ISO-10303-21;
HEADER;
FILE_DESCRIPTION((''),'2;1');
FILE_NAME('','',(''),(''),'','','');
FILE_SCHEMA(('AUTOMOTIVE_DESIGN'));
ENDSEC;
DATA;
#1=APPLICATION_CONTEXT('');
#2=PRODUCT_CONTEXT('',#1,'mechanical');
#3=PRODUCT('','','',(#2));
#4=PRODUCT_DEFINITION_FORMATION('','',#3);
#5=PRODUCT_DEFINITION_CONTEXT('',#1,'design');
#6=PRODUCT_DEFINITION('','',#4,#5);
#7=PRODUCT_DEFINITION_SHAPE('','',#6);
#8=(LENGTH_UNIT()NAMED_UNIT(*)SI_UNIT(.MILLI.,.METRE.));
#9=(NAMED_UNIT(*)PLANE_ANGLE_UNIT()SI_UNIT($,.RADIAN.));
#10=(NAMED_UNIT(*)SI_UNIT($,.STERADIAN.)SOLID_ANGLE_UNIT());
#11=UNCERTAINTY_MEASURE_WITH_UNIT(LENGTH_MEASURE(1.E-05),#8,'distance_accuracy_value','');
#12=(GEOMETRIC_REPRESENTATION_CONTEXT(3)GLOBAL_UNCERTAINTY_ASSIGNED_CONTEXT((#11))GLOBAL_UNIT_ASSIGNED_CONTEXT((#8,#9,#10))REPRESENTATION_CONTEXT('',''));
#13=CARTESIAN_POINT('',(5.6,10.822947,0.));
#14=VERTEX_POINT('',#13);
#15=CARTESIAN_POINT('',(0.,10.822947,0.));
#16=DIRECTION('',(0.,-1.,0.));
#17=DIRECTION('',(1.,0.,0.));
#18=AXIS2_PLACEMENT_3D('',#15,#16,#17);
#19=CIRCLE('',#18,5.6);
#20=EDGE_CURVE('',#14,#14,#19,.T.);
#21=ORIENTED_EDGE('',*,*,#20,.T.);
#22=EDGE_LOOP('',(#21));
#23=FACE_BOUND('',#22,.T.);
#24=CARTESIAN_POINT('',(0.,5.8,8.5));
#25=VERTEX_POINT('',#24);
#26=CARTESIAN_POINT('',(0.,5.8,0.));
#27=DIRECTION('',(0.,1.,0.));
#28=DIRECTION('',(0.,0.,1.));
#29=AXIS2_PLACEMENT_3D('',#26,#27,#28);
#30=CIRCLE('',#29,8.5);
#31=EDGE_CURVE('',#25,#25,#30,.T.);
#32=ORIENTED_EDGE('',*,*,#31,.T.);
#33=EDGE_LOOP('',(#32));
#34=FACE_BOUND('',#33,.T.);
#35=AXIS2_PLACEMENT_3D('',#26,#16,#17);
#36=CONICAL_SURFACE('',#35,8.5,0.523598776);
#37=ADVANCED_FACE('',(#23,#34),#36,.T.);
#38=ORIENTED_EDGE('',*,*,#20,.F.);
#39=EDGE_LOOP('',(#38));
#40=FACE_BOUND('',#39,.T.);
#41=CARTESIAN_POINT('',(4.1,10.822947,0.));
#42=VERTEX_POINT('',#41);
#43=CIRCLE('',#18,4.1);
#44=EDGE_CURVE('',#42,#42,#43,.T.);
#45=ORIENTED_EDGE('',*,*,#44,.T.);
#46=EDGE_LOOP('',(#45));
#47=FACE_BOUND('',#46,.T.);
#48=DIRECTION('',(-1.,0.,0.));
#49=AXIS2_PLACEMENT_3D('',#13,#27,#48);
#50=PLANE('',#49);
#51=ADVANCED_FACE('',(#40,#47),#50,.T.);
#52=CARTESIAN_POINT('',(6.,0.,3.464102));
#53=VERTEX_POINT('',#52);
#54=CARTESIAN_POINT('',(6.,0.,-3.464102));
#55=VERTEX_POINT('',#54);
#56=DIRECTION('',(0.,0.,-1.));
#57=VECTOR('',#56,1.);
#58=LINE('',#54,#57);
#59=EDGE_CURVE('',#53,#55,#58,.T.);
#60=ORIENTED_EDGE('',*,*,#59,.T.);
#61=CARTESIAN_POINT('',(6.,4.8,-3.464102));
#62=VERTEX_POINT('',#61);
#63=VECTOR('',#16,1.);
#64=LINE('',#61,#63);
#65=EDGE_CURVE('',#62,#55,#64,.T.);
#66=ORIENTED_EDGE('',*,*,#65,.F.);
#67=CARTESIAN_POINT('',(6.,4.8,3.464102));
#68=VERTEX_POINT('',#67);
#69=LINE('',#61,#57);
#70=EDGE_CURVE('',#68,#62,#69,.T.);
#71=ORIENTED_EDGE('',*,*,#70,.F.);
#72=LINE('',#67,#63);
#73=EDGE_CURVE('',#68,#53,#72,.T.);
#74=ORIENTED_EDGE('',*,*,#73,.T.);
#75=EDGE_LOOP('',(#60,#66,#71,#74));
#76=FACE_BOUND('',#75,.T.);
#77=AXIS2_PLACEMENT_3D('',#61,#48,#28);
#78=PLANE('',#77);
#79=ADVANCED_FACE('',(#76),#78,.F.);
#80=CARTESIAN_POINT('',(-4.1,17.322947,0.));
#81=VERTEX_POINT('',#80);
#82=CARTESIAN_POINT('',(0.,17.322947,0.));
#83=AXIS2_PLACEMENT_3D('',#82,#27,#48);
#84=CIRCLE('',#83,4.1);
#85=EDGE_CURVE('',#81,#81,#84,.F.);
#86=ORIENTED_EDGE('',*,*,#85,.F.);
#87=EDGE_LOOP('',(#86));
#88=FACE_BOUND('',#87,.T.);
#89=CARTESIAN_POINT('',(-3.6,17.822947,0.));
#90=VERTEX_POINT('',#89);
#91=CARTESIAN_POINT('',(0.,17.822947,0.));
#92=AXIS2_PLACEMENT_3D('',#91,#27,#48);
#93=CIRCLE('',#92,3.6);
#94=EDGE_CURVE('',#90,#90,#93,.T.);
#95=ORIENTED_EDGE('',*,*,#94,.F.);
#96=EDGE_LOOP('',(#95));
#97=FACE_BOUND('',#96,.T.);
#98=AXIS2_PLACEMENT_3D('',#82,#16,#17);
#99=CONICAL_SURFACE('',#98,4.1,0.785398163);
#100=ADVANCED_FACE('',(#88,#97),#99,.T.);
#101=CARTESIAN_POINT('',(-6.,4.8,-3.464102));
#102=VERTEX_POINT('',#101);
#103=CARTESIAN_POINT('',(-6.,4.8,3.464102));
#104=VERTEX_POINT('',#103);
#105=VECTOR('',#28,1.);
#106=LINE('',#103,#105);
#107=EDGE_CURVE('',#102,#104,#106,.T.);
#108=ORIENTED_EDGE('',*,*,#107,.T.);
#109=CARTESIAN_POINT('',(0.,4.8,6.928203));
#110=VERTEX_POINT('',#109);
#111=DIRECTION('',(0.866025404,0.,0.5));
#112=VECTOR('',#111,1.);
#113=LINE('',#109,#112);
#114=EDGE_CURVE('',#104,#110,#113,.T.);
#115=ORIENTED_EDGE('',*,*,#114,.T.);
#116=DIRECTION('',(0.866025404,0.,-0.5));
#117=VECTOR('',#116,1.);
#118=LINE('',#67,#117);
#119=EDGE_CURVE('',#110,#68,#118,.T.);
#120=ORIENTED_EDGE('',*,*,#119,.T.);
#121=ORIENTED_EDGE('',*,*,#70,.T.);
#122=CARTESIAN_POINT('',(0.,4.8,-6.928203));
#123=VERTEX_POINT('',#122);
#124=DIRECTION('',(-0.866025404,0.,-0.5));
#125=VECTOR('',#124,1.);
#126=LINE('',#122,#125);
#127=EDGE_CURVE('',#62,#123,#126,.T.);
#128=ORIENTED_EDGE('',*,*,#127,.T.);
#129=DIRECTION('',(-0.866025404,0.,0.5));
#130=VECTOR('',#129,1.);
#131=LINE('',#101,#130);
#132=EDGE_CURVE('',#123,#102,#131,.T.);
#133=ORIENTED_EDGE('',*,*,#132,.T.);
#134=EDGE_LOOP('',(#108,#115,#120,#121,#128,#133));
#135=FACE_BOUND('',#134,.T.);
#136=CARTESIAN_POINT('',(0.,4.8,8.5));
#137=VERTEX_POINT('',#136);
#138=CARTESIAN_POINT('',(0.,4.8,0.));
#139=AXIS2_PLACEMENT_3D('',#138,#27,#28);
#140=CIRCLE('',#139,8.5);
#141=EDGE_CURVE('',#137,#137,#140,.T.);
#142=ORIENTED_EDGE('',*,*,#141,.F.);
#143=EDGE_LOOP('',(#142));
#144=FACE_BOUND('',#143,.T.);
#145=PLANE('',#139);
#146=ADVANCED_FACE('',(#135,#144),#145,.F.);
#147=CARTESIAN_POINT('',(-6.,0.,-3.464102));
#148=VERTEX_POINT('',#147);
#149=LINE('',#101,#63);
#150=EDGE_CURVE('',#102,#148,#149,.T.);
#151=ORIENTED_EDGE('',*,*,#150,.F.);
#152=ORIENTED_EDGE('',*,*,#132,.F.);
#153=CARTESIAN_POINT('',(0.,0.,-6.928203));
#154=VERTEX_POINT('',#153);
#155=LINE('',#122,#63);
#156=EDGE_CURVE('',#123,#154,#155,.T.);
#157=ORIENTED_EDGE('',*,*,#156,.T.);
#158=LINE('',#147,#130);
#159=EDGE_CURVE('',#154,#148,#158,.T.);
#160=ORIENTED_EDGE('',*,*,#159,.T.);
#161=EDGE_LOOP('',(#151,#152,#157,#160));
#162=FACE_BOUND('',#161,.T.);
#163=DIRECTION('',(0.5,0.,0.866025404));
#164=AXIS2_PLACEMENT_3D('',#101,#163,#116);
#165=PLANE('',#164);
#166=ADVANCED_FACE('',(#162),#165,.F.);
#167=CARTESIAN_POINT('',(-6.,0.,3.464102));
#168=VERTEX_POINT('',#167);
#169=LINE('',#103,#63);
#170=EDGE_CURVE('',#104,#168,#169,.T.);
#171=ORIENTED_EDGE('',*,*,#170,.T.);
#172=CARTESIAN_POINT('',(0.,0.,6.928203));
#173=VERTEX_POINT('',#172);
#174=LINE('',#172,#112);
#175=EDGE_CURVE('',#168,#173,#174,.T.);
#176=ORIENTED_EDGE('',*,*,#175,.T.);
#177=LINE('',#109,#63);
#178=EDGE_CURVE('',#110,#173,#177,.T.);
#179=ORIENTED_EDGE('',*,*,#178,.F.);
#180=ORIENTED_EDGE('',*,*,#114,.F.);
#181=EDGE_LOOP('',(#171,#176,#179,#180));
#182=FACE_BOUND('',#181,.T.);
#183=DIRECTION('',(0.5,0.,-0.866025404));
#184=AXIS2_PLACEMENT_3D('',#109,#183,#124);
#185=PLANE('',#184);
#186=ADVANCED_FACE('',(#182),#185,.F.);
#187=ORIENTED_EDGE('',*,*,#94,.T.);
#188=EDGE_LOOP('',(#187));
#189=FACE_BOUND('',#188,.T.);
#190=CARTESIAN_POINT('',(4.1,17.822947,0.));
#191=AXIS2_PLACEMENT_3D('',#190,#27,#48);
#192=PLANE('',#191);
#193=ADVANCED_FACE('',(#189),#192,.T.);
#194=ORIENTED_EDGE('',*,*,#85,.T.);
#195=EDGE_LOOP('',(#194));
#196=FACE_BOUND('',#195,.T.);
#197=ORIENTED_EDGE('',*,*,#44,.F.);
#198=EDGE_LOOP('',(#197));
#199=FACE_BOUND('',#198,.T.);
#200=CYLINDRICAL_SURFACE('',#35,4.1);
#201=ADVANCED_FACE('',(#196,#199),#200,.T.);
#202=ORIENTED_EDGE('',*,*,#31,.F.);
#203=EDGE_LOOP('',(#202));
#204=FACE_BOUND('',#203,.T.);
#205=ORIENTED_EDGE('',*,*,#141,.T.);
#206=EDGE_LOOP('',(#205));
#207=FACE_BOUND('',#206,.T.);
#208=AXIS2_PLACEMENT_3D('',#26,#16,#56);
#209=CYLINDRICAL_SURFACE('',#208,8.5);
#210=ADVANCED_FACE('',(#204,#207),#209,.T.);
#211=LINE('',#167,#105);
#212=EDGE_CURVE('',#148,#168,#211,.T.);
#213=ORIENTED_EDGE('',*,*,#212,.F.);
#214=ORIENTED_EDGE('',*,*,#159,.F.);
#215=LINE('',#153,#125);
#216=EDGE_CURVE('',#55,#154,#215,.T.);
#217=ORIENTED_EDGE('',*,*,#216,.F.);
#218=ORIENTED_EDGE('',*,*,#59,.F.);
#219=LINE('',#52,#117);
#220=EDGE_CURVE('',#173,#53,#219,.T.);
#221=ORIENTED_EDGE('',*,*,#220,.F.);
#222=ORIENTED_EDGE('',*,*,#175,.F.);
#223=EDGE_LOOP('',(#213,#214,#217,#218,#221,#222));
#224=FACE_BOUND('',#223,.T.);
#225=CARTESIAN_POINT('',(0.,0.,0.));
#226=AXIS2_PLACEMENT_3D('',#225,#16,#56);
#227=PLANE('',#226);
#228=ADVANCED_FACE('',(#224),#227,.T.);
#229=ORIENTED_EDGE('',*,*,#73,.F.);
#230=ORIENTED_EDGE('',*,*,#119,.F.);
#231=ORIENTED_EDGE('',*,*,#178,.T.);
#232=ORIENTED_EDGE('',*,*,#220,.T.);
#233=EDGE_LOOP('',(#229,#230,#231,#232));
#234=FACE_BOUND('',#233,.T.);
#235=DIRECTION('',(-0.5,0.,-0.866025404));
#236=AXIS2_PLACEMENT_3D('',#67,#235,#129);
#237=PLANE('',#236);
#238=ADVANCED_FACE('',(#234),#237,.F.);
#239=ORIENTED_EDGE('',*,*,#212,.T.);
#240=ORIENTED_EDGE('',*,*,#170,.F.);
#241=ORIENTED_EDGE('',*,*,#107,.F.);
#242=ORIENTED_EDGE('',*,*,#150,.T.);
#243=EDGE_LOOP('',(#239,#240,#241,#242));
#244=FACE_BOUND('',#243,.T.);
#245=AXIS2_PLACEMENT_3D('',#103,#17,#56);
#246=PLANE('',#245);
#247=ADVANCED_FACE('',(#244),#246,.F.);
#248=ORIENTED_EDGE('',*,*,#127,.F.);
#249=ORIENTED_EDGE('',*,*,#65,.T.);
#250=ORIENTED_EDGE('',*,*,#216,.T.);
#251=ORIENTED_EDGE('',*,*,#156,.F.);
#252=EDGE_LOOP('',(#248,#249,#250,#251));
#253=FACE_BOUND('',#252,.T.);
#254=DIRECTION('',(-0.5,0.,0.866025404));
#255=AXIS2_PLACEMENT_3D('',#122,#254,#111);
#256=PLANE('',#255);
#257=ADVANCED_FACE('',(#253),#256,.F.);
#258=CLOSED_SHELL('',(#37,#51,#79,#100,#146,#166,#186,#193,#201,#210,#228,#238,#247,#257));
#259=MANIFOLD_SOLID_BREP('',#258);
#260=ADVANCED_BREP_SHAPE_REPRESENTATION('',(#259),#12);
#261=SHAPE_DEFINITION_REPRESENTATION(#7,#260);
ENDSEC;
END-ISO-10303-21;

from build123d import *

# Parameters (mm, degrees)
BOSS_EXTRUDE1_DEPTH = 4.8
SKETCH2_R           = 8.5
BOSS_EXTRUDE2_DEPTH = 1
CHAMFER1_SIZE       = 0.5


with BuildPart() as part:
    # Sketch1 → Boss-Extrude1 (new body)
    with BuildSketch(Plane(origin=(0, 0, 0), x_dir=(1, 0, 0), z_dir=(0, 1, 0))):
        Polygon((0, 6.92820323), (6, 3.464101615), (6, -3.464101615), (0, -6.92820323), (-6, -3.464101615), (-6, 3.464101615), align=None)
    extrude(amount=BOSS_EXTRUDE1_DEPTH)

    # Sketch2 → Boss-Extrude2 (add)
    with BuildSketch(Plane(origin=(0, 4.8, 0), x_dir=(1, 0, 0), z_dir=(0, 1, 0))):
        with Locations(Location((0, 0, 0), (0, 0, 270))):
            Circle(SKETCH2_R)
    extrude(amount=BOSS_EXTRUDE2_DEPTH)

    # Sketch3 → Revolve1 (revolve)
    with BuildSketch(Plane.XY):
        Polygon((0, 5.8), (8.5, 5.8), (5.6, 10.822947342), (4.1, 10.822947342), (4.1, 17.822947342), (0, 17.822947342), align=None)
    revolve(axis=Axis((0, 5.8, 0), (0, 1, 0)))

    # Chamfer1
    chamfer1_edges = [part.edges().sort_by_distance(p)[0] for p in [
        (-4.1, 17.822947342, 0),
    ]]
    chamfer(chamfer1_edges, length=CHAMFER1_SIZE)


solid = part.part
